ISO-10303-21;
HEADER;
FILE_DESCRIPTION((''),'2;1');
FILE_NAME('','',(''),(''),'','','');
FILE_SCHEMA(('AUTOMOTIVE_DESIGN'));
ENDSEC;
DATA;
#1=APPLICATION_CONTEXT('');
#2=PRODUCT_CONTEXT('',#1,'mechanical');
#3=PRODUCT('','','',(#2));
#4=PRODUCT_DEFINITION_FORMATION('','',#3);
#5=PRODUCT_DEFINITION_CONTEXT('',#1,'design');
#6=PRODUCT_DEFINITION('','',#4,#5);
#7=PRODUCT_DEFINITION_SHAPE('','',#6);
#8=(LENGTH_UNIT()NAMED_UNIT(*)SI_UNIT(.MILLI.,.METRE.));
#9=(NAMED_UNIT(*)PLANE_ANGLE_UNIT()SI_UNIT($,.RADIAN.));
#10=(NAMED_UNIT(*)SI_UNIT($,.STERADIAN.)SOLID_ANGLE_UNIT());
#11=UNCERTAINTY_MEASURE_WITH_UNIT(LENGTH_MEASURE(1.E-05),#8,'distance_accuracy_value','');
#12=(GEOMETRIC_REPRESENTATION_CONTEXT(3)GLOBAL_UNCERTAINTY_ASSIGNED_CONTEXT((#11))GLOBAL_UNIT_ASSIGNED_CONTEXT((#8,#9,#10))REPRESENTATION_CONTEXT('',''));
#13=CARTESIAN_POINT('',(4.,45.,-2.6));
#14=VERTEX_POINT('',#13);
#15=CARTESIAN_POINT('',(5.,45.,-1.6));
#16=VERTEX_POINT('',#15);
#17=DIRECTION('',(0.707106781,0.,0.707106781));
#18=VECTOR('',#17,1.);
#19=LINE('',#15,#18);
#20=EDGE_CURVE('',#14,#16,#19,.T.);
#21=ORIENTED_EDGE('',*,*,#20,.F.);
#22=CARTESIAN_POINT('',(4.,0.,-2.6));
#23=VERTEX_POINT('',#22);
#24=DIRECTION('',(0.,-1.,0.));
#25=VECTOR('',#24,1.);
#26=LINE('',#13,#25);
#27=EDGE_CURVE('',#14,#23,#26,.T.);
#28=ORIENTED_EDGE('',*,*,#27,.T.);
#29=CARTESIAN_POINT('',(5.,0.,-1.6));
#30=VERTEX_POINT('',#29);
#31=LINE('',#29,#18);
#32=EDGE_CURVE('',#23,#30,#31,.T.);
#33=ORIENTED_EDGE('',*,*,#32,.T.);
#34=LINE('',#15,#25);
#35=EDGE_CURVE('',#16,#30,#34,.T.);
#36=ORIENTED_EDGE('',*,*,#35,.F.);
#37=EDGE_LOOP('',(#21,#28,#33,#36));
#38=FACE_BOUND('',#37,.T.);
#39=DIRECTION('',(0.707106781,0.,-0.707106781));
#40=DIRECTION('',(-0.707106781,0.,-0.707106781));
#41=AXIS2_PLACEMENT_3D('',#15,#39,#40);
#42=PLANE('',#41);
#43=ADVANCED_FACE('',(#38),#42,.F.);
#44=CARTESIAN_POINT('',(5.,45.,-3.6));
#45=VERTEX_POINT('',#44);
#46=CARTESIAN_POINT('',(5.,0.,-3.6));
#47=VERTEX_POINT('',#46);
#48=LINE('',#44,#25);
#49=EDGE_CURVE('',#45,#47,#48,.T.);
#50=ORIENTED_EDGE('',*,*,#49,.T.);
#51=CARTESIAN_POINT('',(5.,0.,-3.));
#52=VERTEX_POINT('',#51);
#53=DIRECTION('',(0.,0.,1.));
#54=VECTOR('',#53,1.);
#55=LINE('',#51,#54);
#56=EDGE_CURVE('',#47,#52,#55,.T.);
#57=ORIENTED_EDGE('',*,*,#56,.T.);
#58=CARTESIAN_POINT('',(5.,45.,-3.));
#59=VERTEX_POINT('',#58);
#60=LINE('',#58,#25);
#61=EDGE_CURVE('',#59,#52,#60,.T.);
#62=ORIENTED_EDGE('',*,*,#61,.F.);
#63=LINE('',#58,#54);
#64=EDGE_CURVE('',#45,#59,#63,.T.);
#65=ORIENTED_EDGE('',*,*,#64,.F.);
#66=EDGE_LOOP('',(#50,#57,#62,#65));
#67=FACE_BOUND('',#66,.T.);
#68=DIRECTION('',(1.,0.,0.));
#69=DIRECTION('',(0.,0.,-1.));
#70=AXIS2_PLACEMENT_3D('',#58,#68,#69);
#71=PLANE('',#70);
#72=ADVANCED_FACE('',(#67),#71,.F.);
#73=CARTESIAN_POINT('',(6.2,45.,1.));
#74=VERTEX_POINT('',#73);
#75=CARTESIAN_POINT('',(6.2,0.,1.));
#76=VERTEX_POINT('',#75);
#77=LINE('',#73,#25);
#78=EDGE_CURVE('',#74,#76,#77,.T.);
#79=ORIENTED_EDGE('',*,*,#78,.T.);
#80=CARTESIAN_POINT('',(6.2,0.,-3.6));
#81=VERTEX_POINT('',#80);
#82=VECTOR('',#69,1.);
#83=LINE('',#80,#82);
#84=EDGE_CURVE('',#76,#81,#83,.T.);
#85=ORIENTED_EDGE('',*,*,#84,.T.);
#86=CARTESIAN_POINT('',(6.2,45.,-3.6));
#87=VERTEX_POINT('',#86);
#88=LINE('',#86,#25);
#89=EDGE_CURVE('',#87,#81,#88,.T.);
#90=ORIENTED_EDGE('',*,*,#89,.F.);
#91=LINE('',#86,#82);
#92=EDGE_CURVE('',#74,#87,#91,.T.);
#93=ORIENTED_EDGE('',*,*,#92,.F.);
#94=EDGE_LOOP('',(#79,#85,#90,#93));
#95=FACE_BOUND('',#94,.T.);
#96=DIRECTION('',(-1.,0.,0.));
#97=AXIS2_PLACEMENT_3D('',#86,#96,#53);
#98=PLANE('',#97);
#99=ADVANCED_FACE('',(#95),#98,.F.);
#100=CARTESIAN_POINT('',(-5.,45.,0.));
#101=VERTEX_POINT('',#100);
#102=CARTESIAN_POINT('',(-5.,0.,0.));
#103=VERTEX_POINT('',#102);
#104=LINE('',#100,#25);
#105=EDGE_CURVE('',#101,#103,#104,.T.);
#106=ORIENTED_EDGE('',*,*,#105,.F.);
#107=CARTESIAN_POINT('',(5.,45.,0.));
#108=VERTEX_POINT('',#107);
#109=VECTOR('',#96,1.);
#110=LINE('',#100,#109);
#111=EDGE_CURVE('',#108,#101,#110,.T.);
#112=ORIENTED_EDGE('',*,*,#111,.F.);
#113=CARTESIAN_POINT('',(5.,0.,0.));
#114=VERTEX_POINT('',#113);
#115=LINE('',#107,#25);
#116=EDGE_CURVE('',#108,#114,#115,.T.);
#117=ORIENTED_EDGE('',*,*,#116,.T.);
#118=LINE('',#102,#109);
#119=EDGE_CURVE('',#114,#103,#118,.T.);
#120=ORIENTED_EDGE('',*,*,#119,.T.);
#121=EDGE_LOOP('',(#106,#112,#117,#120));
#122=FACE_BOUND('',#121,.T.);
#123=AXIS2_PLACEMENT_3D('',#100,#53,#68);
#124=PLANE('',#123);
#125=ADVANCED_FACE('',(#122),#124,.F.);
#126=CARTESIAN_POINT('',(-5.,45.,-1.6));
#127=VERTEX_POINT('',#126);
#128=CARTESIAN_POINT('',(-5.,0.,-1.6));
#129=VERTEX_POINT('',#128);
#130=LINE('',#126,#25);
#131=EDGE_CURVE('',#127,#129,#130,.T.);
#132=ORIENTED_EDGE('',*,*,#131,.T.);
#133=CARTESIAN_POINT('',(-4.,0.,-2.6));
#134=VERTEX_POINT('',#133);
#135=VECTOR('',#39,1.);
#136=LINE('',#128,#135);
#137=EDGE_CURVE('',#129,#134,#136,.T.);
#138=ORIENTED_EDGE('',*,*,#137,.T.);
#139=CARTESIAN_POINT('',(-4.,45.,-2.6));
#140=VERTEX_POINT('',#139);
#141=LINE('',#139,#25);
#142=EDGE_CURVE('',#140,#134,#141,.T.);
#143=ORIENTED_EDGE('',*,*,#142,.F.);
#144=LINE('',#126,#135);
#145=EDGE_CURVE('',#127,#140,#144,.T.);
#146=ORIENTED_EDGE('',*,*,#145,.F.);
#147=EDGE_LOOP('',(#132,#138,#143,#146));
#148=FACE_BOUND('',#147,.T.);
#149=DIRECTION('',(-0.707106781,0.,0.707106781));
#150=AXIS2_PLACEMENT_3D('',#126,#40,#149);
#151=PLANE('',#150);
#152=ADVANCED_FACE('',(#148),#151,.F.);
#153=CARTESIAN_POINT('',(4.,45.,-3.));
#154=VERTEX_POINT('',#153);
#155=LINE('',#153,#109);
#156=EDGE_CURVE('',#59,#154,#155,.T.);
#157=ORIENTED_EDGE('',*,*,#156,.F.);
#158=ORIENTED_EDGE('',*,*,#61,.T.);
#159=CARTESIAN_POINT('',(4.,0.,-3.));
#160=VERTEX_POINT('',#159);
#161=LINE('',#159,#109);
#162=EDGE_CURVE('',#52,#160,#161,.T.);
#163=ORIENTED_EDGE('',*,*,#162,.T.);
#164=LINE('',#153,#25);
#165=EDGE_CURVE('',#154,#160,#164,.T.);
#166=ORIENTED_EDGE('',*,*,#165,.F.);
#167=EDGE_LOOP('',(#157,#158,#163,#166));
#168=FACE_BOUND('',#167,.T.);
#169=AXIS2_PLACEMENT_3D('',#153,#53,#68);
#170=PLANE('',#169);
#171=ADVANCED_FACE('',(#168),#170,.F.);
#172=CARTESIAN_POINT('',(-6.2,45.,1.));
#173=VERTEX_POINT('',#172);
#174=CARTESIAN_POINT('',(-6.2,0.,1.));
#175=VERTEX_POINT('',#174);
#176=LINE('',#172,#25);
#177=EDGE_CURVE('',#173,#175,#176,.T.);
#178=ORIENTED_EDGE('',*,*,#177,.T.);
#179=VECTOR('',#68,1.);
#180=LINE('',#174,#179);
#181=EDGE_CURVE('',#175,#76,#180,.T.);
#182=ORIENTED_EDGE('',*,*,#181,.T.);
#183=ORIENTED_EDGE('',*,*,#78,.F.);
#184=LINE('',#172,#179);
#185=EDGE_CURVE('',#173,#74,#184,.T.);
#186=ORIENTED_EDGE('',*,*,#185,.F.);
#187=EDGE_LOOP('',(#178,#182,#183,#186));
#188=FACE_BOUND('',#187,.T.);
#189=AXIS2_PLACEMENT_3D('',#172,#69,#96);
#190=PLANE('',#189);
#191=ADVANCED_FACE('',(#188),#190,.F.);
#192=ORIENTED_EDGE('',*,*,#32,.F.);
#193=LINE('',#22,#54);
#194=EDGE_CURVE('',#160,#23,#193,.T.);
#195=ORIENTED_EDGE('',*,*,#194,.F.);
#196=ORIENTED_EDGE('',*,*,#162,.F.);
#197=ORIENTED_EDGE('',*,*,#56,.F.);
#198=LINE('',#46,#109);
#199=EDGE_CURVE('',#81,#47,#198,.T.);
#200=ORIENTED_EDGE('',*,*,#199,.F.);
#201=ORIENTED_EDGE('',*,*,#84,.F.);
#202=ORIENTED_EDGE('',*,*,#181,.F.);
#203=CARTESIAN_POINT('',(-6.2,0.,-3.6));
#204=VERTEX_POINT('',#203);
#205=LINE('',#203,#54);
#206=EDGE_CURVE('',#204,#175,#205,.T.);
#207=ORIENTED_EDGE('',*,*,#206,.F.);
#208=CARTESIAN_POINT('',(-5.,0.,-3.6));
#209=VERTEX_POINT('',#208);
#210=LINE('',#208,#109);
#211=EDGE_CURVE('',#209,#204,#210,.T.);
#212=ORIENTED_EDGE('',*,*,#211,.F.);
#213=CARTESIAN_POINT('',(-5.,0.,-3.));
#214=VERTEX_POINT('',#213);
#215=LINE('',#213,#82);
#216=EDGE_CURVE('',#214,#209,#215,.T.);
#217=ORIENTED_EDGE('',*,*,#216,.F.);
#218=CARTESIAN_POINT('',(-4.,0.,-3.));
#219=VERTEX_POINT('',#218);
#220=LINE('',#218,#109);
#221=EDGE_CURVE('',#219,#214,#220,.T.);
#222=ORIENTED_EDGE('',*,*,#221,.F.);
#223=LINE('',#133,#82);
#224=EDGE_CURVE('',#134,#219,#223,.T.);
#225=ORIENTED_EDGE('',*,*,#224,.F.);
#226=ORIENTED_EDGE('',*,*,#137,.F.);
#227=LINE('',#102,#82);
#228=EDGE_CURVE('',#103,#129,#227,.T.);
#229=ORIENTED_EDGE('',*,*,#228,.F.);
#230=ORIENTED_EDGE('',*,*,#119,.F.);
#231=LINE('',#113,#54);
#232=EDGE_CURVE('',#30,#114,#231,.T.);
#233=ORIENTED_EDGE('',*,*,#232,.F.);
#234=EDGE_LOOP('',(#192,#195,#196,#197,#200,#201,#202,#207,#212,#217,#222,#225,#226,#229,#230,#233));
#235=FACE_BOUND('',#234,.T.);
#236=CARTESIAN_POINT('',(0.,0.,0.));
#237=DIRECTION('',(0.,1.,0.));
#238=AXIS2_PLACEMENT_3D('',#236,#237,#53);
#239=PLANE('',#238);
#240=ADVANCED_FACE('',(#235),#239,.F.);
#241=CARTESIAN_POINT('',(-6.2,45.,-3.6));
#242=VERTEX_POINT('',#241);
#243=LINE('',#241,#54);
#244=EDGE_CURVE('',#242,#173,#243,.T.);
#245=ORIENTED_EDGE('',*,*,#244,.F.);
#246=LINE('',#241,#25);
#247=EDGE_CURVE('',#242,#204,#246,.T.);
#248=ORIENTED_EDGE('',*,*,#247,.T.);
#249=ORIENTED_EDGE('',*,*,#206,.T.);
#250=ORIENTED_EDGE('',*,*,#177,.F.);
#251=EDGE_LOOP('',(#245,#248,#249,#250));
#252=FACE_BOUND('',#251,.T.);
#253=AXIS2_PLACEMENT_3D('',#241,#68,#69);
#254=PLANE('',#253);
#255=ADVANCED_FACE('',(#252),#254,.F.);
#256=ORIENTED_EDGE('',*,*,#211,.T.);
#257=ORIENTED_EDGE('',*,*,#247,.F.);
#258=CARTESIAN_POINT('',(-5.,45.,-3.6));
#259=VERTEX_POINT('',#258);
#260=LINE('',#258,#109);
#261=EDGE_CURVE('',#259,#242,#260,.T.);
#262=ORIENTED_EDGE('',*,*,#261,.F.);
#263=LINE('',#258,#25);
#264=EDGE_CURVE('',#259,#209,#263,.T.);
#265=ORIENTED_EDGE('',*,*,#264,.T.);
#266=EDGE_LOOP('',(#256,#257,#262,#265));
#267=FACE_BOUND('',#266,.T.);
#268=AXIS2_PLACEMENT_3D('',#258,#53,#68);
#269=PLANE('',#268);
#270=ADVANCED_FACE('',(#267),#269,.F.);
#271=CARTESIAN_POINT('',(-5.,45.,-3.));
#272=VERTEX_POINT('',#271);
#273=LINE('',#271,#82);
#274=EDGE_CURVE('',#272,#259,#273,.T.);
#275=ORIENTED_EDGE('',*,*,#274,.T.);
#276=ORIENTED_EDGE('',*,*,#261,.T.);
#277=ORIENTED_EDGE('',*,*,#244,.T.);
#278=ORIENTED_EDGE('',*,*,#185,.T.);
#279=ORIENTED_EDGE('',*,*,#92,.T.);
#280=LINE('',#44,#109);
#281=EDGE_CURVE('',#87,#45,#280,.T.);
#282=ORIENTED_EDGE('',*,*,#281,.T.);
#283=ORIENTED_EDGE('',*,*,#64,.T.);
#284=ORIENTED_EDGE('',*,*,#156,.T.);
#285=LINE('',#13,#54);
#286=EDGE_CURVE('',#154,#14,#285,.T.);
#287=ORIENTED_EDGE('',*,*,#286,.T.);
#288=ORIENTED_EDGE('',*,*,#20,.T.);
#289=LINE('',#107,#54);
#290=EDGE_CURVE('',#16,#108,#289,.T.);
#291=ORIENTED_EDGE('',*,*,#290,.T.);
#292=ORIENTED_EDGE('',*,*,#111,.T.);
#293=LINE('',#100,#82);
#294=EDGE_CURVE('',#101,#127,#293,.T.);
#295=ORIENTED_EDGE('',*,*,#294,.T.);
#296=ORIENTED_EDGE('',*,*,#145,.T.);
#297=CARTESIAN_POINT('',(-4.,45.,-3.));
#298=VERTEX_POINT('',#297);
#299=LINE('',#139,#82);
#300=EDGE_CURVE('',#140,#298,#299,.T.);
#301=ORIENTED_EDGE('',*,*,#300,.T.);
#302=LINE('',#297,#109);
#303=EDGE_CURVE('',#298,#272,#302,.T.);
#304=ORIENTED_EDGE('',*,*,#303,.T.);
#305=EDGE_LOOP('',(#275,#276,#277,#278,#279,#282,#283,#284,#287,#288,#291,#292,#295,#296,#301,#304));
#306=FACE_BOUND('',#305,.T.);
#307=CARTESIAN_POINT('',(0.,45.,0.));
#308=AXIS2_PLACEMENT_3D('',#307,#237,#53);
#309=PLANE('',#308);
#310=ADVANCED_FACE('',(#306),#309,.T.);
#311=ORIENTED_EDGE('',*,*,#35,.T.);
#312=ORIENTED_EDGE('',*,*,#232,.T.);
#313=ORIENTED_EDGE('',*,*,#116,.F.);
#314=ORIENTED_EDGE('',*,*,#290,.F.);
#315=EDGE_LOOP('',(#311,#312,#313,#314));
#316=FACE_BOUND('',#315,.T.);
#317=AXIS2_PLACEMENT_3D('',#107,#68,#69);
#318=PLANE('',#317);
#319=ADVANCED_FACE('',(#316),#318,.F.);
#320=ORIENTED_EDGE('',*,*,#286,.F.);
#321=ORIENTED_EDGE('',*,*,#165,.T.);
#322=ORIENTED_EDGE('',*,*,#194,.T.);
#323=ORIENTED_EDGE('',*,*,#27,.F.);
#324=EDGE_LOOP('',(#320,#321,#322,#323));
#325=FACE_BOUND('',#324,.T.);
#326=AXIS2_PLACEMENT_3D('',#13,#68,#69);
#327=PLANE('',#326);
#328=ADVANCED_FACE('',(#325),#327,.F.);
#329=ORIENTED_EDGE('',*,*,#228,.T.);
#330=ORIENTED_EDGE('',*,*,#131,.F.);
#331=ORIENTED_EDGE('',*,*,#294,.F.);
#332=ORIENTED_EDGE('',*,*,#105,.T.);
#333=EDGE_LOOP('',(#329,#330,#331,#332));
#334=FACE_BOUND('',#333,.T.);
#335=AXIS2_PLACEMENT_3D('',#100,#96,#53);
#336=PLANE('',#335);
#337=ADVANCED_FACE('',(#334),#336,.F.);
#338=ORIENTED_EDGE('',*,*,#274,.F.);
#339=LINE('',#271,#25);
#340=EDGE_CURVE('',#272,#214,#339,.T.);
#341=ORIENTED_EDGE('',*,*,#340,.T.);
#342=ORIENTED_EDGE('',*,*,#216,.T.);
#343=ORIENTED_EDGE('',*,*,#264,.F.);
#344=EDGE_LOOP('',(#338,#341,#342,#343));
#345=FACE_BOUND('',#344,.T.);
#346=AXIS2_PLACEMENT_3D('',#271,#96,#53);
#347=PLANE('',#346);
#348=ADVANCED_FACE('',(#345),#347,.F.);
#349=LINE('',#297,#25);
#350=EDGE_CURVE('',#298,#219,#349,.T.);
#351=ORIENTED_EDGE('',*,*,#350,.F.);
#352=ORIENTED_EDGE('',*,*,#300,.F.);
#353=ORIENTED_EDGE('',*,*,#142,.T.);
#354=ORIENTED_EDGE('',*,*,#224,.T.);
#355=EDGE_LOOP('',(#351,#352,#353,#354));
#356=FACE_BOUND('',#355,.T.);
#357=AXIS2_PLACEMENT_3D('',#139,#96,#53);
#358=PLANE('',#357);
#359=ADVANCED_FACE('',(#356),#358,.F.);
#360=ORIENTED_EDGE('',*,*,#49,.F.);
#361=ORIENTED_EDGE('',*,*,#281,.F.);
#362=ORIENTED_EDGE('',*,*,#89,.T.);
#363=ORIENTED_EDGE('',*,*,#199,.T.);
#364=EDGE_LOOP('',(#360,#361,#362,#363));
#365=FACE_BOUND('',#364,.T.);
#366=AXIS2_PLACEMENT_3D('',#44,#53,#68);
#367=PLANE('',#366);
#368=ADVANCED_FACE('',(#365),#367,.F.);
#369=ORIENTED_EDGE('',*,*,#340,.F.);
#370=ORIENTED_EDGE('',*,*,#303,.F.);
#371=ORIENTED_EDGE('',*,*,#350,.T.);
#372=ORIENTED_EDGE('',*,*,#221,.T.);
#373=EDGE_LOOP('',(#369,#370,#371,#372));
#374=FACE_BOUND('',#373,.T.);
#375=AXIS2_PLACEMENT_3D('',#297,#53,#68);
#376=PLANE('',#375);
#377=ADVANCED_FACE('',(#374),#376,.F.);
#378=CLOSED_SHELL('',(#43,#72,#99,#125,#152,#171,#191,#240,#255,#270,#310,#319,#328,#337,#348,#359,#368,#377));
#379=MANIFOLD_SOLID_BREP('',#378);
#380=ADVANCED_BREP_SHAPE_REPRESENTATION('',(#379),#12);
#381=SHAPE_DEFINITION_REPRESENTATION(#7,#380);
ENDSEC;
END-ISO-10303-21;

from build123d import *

# Parameters (mm, degrees)
P_IDAT_VYSUNUT_M1_DEPTH = 45


with BuildPart() as part:
    # Skica1 → Přidat vysunutím1 (new body)
    with BuildSketch(Plane(origin=(0, 0, 0), x_dir=(1, 0, 0), z_dir=(0, 1, 0))):
        Polygon((-5, 0), (5, 0), (5, 1.6), (4, 2.6), (4, 3), (5, 3), (5, 3.6), (6.2, 3.6), (6.2, -1), (-6.2, -1), (-6.2, 3.6), (-5, 3.6), (-5, 3), (-4, 3), (-4, 2.6), (-5, 1.6), align=None)
    extrude(amount=P_IDAT_VYSUNUT_M1_DEPTH)


solid = part.part
